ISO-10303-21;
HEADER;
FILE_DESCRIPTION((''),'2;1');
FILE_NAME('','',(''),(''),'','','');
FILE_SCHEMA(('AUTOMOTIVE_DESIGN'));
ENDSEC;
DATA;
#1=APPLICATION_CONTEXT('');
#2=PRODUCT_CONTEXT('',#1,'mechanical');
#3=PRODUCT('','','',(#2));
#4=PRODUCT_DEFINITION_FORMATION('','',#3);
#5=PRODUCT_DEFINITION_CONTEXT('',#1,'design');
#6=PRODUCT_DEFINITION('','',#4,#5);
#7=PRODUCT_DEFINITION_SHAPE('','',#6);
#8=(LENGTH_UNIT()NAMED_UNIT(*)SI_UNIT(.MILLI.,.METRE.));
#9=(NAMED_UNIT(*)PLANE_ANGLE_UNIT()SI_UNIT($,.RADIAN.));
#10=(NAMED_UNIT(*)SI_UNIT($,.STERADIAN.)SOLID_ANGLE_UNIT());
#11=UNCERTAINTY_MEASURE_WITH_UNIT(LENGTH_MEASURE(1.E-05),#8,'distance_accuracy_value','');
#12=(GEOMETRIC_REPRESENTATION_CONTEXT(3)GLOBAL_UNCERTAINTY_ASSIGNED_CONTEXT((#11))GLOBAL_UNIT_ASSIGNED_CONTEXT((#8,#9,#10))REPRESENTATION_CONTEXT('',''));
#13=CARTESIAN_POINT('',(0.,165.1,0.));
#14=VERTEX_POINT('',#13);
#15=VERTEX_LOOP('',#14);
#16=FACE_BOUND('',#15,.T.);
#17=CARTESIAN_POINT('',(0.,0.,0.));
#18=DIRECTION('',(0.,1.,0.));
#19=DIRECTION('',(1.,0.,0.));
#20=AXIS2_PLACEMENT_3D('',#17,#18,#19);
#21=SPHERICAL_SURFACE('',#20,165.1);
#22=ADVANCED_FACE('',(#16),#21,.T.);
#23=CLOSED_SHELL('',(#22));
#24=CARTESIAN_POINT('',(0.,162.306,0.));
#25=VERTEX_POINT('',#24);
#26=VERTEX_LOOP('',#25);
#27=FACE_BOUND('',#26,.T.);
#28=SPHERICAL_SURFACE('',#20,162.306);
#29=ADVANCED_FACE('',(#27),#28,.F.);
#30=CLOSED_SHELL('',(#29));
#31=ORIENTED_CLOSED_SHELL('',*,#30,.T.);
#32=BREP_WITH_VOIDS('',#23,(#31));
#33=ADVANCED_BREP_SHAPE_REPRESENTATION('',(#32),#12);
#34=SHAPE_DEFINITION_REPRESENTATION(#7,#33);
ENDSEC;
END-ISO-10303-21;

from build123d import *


with BuildPart() as part:
    # Sketch1 → Revolve1 (revolve)
    with BuildSketch(Plane.XY):
        with BuildLine():
            Line((0, 165.1), (0, 162.306))
            ThreePointArc((0, 162.306), (162.306, 0), (0, -162.306))
            Line((0, -162.306), (0, -165.1))
            ThreePointArc((0, -165.1), (165.1, 0), (0, 165.1))
        make_face()
    revolve(axis=Axis((0, 165.1, 0), (0, -1, 0)))


solid = part.part
